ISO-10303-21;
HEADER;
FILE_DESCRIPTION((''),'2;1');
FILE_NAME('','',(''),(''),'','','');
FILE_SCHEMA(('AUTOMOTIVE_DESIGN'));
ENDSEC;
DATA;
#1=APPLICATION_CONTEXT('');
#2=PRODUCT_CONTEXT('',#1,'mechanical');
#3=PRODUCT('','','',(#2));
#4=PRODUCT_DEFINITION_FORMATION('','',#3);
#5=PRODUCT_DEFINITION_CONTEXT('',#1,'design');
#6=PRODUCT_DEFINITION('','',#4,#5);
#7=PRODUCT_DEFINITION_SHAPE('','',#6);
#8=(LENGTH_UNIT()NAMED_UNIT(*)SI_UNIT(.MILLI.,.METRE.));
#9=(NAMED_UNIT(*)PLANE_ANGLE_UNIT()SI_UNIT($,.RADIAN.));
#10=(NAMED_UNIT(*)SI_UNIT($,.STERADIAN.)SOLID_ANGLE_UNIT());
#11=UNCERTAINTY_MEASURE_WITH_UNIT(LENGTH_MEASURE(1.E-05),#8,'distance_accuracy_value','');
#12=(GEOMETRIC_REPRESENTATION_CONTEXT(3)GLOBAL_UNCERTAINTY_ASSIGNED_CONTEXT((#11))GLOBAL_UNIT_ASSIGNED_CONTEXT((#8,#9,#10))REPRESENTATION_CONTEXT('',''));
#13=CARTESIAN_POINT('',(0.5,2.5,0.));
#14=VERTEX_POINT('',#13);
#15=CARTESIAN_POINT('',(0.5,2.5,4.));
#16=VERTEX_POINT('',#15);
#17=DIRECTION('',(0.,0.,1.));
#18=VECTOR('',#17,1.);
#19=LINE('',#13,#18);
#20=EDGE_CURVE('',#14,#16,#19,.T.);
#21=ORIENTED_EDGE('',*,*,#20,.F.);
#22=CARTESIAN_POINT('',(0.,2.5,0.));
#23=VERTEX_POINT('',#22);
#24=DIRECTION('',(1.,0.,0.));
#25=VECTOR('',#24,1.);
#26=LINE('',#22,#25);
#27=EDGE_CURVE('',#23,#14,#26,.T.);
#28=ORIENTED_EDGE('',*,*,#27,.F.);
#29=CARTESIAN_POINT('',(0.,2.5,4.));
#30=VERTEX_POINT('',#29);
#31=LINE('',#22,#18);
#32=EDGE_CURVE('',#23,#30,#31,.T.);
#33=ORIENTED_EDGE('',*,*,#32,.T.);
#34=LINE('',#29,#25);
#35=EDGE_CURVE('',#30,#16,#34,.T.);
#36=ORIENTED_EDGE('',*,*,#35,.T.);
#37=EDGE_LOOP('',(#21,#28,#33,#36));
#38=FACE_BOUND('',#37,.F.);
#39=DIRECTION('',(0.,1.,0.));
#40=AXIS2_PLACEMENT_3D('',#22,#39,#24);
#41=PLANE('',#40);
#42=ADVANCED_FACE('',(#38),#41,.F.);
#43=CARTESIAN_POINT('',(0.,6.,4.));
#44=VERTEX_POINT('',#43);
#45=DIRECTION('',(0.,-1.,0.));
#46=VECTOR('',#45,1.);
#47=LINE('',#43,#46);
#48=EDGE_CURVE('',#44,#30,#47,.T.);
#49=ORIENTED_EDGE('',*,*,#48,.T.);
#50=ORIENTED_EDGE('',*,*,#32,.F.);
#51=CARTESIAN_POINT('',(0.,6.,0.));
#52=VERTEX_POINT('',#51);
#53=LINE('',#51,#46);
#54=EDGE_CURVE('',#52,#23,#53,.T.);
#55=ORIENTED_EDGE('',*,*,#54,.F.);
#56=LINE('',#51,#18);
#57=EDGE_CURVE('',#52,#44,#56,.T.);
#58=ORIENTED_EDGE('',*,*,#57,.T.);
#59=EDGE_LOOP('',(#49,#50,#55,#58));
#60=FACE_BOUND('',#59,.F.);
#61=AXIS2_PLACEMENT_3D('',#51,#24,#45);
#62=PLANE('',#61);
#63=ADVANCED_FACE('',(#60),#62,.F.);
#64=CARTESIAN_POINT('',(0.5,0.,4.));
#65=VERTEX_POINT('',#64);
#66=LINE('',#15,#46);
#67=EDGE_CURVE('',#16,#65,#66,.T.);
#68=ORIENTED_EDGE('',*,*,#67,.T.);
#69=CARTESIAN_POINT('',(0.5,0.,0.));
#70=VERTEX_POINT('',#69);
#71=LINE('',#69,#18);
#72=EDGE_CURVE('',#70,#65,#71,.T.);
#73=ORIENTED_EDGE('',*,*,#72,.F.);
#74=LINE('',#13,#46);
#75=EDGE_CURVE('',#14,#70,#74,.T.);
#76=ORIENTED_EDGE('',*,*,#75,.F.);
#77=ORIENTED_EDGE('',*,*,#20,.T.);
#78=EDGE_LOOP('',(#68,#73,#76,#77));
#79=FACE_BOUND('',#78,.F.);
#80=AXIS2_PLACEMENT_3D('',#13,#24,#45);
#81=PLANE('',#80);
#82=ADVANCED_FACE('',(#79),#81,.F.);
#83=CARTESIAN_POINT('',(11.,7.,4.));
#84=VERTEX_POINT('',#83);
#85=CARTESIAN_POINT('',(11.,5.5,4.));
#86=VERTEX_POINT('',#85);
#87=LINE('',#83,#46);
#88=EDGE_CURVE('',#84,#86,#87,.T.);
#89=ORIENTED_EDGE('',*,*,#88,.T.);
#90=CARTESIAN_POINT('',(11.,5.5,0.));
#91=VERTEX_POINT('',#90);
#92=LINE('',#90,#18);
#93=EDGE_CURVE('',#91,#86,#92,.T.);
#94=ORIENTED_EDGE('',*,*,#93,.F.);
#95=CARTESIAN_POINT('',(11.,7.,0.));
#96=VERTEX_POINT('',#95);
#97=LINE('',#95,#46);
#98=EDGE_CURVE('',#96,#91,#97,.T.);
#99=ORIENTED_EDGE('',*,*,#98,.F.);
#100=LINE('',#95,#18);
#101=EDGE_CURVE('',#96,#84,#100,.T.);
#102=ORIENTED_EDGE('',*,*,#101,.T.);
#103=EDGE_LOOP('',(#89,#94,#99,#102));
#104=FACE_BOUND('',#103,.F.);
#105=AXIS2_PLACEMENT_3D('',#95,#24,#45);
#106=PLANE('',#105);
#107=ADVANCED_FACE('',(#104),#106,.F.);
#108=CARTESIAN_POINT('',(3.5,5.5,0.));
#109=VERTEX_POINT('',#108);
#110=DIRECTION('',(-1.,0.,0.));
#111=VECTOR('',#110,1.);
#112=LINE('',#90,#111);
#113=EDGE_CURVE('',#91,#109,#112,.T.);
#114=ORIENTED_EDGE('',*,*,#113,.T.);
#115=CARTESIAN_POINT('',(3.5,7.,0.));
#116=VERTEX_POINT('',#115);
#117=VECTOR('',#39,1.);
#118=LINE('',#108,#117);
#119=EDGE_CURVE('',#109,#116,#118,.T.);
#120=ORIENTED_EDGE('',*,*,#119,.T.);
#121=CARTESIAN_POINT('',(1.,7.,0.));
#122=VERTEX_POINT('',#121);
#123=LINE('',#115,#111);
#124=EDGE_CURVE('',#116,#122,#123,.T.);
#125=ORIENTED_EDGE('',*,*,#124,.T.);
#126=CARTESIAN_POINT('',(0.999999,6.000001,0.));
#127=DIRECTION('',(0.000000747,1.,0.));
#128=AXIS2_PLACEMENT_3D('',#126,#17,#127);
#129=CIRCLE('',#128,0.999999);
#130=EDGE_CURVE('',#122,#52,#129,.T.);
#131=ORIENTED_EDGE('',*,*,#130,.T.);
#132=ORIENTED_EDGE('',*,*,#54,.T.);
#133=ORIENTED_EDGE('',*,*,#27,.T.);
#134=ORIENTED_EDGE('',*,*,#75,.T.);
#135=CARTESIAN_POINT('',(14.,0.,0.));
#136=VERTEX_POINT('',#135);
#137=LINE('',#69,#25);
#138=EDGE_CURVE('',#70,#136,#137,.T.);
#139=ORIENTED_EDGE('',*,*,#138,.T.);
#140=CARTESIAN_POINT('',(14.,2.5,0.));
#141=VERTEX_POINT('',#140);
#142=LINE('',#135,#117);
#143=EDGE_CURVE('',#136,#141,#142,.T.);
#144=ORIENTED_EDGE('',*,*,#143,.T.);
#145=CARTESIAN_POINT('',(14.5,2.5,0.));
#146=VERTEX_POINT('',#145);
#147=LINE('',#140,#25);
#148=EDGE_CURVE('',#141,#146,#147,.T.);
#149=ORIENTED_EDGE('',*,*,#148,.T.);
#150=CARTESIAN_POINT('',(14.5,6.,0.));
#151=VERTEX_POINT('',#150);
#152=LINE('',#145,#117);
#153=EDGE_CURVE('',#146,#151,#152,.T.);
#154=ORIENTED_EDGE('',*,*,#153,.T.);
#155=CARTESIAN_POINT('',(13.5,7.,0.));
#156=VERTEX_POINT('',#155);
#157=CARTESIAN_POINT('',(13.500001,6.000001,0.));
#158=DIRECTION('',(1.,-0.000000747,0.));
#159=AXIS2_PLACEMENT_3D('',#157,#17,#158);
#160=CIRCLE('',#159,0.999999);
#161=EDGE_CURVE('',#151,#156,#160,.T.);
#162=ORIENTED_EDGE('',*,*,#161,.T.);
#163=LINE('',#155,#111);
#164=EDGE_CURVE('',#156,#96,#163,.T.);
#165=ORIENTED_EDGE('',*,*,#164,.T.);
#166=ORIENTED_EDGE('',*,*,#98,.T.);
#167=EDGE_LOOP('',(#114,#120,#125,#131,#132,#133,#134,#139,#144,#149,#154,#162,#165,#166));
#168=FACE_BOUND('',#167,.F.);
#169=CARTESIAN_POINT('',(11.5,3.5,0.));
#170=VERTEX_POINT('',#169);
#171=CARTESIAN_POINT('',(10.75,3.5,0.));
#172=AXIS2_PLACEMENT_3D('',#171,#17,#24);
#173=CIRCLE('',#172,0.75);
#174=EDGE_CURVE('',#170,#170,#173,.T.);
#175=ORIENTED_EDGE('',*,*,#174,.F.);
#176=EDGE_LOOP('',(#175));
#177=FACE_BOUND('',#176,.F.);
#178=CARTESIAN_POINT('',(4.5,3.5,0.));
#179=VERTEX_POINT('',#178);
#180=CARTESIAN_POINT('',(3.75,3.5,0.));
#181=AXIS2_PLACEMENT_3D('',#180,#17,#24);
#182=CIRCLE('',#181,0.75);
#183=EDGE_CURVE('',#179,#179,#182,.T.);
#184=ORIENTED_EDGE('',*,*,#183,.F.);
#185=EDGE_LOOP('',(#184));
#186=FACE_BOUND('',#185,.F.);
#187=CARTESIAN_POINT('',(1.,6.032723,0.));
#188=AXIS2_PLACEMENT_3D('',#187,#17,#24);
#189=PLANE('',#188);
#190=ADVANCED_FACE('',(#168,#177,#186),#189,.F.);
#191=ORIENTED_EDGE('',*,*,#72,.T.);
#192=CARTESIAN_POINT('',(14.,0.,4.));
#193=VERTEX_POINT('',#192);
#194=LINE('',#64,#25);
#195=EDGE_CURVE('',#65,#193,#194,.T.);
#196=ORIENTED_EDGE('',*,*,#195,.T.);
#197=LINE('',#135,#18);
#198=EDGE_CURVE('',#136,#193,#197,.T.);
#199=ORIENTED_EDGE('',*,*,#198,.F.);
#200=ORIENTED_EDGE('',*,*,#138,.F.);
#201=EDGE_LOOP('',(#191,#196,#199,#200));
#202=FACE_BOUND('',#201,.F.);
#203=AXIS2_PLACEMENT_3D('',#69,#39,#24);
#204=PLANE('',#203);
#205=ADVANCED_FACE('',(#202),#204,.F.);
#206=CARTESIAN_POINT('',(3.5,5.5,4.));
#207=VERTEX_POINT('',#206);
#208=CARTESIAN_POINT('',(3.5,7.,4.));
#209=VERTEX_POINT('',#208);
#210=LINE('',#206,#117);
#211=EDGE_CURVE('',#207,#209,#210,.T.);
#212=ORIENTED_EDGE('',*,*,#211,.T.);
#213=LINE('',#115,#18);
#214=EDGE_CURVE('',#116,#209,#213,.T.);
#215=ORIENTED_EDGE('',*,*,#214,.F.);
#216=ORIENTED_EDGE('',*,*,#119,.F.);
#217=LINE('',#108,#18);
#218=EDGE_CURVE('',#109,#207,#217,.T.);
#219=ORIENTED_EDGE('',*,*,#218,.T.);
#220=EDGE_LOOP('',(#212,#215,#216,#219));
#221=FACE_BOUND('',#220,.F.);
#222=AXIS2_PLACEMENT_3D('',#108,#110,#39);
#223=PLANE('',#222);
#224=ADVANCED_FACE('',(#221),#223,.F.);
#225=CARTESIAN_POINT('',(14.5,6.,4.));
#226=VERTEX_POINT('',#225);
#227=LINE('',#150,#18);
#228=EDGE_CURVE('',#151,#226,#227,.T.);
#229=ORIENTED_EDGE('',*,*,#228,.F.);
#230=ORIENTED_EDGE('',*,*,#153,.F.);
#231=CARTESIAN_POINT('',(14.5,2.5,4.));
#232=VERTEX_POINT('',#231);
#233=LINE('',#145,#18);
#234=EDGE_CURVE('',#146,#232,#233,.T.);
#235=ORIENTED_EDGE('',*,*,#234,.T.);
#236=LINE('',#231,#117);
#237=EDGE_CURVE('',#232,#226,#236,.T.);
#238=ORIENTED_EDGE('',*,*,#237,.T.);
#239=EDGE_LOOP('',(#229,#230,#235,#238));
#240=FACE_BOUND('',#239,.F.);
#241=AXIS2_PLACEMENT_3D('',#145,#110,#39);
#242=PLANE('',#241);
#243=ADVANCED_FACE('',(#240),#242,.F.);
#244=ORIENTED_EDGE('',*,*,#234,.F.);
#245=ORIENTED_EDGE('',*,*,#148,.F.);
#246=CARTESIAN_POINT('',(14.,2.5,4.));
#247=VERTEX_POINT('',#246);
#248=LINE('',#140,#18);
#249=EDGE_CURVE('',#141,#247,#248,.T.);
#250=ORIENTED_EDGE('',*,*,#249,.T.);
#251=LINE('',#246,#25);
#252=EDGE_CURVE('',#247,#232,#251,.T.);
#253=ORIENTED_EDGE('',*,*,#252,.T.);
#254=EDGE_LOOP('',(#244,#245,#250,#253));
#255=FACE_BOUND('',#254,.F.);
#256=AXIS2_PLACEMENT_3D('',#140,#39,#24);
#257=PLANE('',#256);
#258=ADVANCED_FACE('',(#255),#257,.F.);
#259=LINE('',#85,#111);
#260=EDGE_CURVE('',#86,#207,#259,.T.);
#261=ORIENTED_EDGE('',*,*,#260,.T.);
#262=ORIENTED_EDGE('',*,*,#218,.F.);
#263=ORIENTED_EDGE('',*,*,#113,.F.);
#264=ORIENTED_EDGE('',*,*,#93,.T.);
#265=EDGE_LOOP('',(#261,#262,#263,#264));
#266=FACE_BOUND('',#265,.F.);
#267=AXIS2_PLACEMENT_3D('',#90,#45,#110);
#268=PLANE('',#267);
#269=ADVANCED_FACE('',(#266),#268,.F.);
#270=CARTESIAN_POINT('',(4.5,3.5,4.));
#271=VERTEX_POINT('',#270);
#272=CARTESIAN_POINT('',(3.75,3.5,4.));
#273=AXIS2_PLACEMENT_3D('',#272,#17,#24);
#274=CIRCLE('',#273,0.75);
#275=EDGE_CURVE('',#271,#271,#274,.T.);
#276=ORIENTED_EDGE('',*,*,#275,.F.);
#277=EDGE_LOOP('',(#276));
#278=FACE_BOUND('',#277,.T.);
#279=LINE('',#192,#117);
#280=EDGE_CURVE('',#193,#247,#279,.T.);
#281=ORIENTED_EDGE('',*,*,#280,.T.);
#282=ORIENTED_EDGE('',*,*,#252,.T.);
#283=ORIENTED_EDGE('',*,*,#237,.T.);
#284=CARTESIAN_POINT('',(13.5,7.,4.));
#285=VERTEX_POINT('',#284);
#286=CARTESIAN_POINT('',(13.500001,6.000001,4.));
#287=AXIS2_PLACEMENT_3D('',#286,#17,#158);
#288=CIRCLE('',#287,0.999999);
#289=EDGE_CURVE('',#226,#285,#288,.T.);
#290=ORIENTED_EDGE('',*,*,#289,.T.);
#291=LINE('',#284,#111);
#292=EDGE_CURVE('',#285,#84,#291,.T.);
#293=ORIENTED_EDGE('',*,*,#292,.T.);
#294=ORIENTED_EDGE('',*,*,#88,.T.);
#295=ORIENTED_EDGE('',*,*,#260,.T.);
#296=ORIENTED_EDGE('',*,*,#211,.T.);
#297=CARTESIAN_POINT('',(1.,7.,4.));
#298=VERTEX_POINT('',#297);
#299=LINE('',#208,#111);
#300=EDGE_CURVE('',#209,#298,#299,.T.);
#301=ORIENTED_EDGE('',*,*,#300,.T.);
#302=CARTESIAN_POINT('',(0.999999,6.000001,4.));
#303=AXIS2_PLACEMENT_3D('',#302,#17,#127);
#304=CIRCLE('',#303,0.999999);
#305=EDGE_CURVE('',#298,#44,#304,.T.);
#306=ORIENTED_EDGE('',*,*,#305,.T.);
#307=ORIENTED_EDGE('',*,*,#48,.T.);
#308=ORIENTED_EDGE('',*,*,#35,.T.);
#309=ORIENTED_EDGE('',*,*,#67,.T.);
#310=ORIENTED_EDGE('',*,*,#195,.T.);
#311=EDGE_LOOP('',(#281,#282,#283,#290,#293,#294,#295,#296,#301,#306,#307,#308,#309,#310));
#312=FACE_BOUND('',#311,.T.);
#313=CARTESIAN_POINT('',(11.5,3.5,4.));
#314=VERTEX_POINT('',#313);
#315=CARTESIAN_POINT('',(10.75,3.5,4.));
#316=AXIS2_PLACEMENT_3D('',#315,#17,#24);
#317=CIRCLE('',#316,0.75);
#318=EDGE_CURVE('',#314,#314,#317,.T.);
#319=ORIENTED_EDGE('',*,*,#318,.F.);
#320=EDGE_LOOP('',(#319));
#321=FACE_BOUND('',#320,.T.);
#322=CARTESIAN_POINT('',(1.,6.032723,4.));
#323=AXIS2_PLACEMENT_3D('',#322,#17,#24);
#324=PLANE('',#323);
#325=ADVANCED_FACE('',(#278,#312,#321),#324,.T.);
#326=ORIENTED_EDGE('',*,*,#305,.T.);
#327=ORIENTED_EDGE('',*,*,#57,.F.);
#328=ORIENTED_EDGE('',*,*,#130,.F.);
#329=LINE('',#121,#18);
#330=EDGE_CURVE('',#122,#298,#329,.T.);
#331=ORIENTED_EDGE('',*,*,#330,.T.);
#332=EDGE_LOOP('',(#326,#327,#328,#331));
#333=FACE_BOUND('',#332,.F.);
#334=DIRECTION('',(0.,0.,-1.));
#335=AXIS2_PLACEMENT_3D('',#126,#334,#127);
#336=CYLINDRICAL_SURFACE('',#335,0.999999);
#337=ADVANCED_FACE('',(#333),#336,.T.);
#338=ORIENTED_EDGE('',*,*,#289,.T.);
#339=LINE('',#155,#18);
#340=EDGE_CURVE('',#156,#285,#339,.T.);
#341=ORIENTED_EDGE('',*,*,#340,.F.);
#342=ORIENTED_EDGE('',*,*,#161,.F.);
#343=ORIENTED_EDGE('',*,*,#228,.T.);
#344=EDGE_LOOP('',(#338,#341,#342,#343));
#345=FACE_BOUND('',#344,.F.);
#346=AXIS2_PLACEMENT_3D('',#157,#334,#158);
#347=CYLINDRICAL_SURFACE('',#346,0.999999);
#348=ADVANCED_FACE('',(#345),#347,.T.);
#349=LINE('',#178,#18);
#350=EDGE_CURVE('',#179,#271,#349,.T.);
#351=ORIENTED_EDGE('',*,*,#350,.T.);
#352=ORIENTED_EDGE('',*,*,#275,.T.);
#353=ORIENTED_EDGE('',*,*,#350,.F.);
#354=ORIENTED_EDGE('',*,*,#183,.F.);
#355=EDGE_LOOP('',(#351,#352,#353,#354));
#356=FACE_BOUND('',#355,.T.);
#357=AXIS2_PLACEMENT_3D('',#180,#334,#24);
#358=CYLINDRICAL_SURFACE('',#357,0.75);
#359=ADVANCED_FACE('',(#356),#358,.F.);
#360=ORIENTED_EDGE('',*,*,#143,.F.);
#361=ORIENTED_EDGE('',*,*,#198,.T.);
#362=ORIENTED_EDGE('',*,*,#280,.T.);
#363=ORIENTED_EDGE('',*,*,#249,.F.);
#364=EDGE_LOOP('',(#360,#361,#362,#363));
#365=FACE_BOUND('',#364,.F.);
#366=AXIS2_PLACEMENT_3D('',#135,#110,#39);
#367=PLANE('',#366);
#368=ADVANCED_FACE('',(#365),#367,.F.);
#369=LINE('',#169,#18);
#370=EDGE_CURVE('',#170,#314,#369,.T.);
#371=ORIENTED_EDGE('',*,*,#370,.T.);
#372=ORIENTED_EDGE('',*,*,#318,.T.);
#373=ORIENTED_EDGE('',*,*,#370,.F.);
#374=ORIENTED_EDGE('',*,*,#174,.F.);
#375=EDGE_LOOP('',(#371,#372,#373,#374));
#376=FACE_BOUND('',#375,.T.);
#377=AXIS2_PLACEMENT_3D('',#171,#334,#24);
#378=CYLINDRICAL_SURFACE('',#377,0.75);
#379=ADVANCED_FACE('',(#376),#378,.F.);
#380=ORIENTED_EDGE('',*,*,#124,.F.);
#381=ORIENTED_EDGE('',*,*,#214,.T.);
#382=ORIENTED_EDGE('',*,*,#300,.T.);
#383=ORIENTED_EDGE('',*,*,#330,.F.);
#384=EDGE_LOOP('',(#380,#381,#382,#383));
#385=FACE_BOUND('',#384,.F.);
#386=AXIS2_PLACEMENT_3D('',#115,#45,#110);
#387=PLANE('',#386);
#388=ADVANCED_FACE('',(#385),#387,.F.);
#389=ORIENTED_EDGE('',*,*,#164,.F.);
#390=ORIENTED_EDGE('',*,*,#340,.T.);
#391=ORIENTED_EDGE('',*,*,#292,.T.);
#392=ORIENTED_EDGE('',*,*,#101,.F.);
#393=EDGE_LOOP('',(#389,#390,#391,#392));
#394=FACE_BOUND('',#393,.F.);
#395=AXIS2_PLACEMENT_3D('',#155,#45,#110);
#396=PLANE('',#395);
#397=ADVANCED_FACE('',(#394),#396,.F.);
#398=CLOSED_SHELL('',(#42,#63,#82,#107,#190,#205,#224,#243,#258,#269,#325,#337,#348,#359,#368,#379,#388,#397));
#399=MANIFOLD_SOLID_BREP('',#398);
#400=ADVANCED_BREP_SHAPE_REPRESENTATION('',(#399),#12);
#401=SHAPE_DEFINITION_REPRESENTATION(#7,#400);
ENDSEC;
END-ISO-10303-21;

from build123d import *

# Parameters (mm, degrees)
F0_R     = 0.75
F1_DEPTH = 4


with BuildPart() as f1:
    # F0 (on Top) → F1 (new body)
    with BuildSketch(Plane.XY):
        with BuildLine():
            ThreePointArc((1, 7), (0.292893, 6.707107), (0, 6))
            ThreePointArc((0, 6), (1, 5), (2, 6))
            ThreePointArc((2, 6), (1.707107, 6.707107), (1, 7))
        make_face()
        with BuildLine():
            Line((0.5, 2.5), (0.5, 0))
            Line((0.5, 0), (14, 0))
            Line((14, 0), (14, 2.5))
            Line((14, 2.5), (14.5, 2.5))
            Line((14.5, 2.5), (14.5, 6))
            ThreePointArc((14.5, 6), (12.792893, 5.292893), (13.5, 7))
            Line((13.5, 7), (11, 7))
            Line((11, 7), (11, 5.5))
            Line((11, 5.5), (3.5, 5.5))
            Line((3.5, 5.5), (3.5, 7))
            Line((3.5, 7), (1, 7))
            ThreePointArc((1, 7), (1.707107, 6.707107), (2, 6))
            ThreePointArc((2, 6), (1, 5), (0, 6))
            Line((0, 6), (0, 2.5))
            Line((0, 2.5), (0.5, 2.5))
        make_face()
        with Locations((3.75, 3.5)):
            Circle(F0_R, mode=Mode.SUBTRACT)
        with Locations((10.75, 3.5)):
            Circle(F0_R, mode=Mode.SUBTRACT)
        with BuildLine():
            ThreePointArc((13.5, 7), (12.792893, 5.292893), (14.5, 6))
            ThreePointArc((14.5, 6), (14.207107, 6.707107), (13.5, 7))
        make_face()
    extrude(amount=F1_DEPTH)


solid = f1.part
